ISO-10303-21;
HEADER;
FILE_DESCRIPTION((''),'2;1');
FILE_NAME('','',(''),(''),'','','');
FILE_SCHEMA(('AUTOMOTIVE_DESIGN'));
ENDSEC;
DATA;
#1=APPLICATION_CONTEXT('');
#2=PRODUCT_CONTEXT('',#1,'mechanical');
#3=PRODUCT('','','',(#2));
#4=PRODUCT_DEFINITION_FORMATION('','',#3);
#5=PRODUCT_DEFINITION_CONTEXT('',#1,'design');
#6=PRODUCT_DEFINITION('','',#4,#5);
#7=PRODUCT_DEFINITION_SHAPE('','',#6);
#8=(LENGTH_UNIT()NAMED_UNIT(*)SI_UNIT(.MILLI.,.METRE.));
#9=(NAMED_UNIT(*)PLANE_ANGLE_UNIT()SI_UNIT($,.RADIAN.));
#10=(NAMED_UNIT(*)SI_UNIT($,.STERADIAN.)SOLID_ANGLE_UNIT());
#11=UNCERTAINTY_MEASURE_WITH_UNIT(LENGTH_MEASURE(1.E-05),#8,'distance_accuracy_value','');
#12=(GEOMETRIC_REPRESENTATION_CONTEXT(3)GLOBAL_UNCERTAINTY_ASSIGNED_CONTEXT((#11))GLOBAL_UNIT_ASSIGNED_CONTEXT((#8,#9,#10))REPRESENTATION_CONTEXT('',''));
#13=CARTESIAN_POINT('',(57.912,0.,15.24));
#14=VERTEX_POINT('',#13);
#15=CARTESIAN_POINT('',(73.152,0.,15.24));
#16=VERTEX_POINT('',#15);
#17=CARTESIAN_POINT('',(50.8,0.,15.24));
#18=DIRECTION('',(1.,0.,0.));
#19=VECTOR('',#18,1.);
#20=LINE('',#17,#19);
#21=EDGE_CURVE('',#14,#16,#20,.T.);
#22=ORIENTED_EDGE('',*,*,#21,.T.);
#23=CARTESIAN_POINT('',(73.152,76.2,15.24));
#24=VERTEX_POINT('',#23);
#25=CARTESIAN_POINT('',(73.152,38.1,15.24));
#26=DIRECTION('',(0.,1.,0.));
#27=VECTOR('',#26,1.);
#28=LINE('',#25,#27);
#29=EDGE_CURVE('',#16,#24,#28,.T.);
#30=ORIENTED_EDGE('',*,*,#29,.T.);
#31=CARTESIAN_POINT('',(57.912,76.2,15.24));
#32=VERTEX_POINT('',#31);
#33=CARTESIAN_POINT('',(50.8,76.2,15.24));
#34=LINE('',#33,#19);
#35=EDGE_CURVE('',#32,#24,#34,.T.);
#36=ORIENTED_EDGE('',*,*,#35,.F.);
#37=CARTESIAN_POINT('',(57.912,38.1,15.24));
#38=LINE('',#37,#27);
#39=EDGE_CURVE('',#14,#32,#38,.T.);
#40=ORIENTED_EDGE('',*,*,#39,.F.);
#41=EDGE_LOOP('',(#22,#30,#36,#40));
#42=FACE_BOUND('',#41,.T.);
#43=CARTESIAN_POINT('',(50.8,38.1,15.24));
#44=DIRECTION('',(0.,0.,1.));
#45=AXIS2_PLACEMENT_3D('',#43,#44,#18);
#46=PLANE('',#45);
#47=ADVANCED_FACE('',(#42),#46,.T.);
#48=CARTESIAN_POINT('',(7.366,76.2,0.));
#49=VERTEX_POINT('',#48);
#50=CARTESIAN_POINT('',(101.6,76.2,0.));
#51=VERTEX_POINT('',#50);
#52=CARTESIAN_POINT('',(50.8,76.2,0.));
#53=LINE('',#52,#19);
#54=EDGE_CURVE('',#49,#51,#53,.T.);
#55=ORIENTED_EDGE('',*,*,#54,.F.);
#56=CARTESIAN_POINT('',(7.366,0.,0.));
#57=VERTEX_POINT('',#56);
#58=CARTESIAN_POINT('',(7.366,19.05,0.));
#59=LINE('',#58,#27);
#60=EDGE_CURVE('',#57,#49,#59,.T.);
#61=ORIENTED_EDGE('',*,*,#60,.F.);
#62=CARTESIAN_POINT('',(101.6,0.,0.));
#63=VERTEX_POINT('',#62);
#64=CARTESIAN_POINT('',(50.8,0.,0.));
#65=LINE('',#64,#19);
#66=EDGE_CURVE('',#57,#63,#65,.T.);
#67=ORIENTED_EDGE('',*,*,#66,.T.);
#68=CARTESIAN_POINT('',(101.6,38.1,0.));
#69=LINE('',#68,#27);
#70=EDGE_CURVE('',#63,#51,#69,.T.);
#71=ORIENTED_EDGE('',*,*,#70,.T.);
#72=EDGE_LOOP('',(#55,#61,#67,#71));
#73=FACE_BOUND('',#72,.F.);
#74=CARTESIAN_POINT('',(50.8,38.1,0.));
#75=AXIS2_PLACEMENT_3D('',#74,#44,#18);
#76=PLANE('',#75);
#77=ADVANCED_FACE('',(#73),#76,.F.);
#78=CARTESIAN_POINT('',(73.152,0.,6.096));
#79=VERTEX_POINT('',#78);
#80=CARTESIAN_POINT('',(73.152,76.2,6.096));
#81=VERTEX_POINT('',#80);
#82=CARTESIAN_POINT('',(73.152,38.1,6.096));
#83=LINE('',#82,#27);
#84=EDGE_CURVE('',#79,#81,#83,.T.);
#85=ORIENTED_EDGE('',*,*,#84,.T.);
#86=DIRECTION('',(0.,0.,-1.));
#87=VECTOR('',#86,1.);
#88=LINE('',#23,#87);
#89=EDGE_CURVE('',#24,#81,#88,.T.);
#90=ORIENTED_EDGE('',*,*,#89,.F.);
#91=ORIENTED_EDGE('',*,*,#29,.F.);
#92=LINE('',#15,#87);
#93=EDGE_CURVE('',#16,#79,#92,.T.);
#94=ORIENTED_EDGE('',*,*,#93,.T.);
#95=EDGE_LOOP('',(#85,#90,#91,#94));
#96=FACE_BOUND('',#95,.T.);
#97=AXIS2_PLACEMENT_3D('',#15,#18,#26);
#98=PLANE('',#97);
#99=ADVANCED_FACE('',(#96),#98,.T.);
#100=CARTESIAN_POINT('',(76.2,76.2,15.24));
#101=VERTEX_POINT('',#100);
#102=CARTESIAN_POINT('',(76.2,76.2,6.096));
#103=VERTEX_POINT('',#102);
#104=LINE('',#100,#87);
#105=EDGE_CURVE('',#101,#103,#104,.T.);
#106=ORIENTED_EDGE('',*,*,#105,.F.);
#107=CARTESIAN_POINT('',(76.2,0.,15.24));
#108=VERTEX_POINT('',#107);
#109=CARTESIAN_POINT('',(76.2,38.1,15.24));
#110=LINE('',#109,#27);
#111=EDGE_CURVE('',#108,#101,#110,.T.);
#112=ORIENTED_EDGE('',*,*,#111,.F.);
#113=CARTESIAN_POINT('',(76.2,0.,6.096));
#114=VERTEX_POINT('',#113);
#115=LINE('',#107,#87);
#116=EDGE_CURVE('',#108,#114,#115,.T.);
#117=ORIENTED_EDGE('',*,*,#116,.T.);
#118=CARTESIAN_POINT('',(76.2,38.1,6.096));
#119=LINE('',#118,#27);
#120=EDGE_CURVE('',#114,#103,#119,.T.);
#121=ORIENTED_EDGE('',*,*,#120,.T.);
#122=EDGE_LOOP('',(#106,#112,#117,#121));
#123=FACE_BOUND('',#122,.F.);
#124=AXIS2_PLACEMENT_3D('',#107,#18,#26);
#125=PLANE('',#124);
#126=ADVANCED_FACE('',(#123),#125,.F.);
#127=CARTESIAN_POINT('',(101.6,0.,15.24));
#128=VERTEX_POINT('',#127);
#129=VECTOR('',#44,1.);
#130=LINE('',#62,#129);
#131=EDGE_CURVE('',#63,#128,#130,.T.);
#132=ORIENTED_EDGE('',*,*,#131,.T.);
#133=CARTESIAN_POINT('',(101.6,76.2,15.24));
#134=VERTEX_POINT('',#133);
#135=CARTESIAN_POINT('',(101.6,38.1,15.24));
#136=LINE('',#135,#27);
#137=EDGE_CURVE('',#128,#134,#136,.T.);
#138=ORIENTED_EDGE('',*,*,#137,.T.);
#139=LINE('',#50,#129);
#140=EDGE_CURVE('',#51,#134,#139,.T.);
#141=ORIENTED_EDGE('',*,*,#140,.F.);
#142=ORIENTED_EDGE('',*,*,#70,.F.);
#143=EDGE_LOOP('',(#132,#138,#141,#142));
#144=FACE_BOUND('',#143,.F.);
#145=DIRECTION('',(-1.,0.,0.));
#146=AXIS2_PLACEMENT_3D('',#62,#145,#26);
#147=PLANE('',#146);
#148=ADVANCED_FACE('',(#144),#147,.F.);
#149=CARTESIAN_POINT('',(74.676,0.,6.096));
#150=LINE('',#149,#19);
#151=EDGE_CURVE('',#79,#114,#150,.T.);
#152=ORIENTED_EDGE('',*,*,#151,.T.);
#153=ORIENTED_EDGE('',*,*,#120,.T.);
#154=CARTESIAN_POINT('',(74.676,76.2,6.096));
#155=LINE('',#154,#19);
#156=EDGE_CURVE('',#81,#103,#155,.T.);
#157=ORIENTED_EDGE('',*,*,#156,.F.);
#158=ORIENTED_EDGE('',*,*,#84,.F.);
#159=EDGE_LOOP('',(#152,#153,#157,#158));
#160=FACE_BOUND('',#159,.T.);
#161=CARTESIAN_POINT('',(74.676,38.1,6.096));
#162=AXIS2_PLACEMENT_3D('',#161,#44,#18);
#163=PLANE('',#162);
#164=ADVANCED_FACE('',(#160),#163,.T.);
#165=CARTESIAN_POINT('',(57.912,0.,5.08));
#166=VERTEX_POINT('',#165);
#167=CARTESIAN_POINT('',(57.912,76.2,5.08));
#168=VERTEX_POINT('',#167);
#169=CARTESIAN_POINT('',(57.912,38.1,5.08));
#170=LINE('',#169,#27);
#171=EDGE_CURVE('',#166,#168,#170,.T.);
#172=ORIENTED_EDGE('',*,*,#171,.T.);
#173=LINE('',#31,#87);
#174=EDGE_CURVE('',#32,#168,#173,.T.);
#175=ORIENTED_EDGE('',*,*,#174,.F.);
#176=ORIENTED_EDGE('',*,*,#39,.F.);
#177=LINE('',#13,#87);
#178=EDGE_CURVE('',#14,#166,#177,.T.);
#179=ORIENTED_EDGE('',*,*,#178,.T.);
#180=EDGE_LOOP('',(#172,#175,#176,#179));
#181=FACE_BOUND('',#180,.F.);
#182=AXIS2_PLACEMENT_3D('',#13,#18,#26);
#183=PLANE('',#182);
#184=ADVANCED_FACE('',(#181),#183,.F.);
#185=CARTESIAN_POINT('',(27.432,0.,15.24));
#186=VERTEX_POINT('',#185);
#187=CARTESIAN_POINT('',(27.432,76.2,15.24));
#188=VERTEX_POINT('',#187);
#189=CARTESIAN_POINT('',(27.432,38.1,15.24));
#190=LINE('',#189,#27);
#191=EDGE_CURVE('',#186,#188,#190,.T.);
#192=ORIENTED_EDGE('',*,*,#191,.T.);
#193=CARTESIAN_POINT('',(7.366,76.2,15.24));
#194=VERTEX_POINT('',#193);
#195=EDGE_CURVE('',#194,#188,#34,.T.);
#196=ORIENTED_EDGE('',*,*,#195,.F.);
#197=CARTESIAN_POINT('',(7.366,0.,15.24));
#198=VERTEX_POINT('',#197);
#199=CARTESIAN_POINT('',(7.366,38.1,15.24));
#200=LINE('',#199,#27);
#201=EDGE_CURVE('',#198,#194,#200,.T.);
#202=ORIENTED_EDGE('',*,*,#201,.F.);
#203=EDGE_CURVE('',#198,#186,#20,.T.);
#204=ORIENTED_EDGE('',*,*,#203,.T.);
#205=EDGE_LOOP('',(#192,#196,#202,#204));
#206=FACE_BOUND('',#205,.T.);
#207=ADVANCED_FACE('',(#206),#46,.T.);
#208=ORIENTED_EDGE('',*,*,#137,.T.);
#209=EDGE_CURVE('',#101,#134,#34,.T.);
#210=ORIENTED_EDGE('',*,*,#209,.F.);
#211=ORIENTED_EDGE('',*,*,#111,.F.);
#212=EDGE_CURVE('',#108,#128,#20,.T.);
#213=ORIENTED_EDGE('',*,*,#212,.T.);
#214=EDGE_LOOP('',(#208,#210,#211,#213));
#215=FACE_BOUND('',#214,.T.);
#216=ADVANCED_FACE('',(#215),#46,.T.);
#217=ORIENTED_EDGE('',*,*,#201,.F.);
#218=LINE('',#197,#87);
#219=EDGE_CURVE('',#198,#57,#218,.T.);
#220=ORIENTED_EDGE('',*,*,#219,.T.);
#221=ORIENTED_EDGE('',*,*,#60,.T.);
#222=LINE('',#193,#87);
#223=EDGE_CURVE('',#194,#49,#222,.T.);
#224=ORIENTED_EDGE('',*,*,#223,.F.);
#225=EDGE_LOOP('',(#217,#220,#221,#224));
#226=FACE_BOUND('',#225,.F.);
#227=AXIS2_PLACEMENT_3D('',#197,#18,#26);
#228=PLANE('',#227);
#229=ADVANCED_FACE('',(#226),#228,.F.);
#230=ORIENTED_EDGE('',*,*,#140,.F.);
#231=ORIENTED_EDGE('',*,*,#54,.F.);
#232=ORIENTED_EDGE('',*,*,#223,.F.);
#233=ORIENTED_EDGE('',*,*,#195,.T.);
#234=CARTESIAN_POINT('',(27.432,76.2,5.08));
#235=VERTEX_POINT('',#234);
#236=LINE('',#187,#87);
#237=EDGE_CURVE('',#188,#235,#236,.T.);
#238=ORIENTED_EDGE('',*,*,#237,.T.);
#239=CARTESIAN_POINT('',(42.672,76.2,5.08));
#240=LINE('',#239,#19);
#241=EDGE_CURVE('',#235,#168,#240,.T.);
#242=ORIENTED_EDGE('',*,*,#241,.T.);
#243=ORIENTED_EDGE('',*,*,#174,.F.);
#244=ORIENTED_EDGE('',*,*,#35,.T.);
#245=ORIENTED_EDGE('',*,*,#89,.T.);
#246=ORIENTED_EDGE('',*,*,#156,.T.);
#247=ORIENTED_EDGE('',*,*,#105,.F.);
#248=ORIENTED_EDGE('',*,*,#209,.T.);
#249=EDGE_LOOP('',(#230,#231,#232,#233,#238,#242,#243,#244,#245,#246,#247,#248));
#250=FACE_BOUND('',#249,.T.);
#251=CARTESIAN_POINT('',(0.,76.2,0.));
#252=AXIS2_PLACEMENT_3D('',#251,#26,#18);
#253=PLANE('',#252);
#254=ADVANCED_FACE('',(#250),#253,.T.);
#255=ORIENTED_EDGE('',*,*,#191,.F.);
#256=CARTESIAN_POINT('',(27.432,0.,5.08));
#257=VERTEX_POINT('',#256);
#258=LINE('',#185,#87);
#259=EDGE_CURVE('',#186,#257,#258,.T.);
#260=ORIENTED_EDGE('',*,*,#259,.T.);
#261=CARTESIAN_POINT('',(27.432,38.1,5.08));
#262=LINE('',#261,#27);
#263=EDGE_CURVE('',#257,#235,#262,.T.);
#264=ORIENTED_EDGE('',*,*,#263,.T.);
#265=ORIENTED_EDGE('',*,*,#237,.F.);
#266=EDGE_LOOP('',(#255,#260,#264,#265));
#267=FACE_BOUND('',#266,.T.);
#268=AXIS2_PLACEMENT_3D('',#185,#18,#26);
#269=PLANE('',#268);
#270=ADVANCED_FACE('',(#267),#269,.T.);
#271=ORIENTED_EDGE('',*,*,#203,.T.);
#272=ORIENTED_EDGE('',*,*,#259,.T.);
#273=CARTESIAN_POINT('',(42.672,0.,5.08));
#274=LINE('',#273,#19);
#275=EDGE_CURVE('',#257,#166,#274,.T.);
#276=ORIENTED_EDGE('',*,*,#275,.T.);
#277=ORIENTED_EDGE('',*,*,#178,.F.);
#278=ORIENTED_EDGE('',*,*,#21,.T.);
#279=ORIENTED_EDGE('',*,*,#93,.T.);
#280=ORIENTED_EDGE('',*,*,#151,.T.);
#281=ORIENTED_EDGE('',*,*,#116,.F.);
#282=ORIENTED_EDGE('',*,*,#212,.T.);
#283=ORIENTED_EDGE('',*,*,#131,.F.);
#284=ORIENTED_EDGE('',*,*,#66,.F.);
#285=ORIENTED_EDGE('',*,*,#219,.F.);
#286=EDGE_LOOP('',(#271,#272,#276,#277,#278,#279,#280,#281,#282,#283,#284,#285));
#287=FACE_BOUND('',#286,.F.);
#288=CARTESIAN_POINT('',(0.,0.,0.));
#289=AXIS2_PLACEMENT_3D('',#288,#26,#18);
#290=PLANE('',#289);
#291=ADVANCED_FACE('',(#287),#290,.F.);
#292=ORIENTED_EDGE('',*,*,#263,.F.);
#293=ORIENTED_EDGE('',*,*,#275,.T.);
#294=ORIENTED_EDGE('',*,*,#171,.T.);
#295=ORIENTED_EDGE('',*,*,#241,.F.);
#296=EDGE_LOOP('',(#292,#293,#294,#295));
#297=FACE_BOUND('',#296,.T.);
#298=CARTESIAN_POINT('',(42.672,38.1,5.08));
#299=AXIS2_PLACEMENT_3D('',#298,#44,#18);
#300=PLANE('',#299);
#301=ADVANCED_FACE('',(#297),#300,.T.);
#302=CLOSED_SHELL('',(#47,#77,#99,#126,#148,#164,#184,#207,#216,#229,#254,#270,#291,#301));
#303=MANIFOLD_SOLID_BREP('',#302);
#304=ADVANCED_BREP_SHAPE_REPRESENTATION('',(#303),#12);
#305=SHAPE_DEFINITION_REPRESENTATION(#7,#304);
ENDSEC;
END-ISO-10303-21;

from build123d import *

# Parameters (mm, degrees)
F0_W     = 101.6
F0_H     = 76.2
F1_DEPTH = 15.24
F2_W     = 3.048
F2_H     = 76.2
F3_DEPTH = 9.144
F4_W     = 30.48
F4_H     = 76.2
F5_DEPTH = 10.16
F6_W     = 7.366
F6_H     = 76.2
F7_DEPTH = 17.78


with BuildPart() as f1:
    # F0 (on Top) → F1 (new body)
    with BuildSketch(Plane.XY):
        with Locations((50.8, 38.1)):
            Rectangle(F0_W, F0_H)
    extrude(amount=F1_DEPTH)

    # F2 (on face) → F3 (cut)
    with BuildSketch(Plane.XY.offset(15.24)):
        with Locations((74.676, 38.1)):
            Rectangle(F2_W, F2_H)
    extrude(amount=-F3_DEPTH, mode=Mode.SUBTRACT)

    # F4 (on face) → F5 (cut)
    with BuildSketch(Plane.XY.offset(15.24)):
        with Locations((42.672, 38.1)):
            Rectangle(F4_W, F4_H)
    extrude(amount=-F5_DEPTH, mode=Mode.SUBTRACT)

    # F6 (on face) → F7 (cut)
    with BuildSketch(Plane.XY.offset(15.24)):
        with Locations((3.683, 38.1)):
            Rectangle(F6_W, F6_H)
    extrude(amount=-F7_DEPTH, mode=Mode.SUBTRACT)


solid = f1.part
